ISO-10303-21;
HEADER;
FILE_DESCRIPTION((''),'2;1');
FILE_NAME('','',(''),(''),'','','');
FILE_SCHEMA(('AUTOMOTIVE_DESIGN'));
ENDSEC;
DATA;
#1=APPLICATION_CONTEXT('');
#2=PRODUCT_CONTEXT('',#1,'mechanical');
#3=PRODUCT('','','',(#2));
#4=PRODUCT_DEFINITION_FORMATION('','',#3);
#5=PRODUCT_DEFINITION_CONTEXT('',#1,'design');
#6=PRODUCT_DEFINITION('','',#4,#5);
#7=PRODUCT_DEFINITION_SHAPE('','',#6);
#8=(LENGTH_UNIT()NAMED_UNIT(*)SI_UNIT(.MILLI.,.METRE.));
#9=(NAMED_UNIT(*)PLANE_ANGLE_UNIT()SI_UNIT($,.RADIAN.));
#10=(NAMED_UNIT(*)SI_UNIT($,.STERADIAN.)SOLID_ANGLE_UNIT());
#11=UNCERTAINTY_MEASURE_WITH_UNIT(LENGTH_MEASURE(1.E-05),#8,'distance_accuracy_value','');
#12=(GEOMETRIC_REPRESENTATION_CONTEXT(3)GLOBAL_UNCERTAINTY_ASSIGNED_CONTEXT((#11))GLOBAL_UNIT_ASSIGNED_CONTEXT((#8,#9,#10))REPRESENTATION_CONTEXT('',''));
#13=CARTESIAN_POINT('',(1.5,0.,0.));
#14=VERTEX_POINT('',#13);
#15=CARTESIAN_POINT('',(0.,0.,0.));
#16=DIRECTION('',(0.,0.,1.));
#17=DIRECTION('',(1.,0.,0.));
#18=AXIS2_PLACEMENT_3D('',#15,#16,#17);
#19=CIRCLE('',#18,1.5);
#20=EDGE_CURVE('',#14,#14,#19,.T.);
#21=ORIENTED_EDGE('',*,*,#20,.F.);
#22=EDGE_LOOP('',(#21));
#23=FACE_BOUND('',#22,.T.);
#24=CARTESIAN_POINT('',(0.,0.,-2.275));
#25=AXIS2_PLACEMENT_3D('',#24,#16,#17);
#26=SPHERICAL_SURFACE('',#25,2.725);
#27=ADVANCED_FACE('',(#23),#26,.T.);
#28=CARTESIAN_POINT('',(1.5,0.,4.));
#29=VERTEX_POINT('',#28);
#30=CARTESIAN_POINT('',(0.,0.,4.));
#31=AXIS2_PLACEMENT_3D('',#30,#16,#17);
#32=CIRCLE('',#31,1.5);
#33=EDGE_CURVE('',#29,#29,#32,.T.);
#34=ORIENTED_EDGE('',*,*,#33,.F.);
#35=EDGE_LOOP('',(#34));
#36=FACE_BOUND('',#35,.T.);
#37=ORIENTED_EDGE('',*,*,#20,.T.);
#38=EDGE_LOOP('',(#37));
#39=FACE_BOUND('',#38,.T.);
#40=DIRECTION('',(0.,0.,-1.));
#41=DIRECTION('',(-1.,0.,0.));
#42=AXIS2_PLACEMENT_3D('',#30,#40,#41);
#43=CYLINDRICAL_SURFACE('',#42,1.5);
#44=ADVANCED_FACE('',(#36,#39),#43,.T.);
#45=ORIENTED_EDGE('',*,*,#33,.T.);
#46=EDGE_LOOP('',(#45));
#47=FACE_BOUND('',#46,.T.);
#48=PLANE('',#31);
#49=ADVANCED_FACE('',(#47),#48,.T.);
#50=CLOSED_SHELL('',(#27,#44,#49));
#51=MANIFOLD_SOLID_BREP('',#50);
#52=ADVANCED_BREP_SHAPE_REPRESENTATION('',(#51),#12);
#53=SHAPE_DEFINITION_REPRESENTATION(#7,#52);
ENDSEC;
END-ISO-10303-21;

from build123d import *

# Parameters (mm, degrees)
SKETCH1_R           = 1.5
BOSS_EXTRUDE1_DEPTH = 4
DOME1_FACE_RADIUS   = 1.5
DOME1_HEIGHT        = 5


with BuildPart() as part:
    # Sketch1 → Boss-Extrude1 (new body)
    with BuildSketch(Plane.XY):
        Circle(SKETCH1_R)
    extrude(amount=BOSS_EXTRUDE1_DEPTH)

    # Dome1: a dome of height H over a round flat face of radius A is a cap of a sphere of radius (A * A + H * H) / (2 * H)
    dome1_r = (DOME1_FACE_RADIUS * DOME1_FACE_RADIUS + DOME1_HEIGHT * DOME1_HEIGHT) / (2 * DOME1_HEIGHT)
    dome1_base = Plane((0, 0, 0), z_dir=(0, 0, -1))
    with Locations(dome1_base.offset(DOME1_HEIGHT - dome1_r)):
        dome1_ball = Sphere(dome1_r, mode=Mode.PRIVATE)
    add(split(dome1_ball, bisect_by=dome1_base, keep=Keep.TOP, mode=Mode.PRIVATE))


solid = part.part
